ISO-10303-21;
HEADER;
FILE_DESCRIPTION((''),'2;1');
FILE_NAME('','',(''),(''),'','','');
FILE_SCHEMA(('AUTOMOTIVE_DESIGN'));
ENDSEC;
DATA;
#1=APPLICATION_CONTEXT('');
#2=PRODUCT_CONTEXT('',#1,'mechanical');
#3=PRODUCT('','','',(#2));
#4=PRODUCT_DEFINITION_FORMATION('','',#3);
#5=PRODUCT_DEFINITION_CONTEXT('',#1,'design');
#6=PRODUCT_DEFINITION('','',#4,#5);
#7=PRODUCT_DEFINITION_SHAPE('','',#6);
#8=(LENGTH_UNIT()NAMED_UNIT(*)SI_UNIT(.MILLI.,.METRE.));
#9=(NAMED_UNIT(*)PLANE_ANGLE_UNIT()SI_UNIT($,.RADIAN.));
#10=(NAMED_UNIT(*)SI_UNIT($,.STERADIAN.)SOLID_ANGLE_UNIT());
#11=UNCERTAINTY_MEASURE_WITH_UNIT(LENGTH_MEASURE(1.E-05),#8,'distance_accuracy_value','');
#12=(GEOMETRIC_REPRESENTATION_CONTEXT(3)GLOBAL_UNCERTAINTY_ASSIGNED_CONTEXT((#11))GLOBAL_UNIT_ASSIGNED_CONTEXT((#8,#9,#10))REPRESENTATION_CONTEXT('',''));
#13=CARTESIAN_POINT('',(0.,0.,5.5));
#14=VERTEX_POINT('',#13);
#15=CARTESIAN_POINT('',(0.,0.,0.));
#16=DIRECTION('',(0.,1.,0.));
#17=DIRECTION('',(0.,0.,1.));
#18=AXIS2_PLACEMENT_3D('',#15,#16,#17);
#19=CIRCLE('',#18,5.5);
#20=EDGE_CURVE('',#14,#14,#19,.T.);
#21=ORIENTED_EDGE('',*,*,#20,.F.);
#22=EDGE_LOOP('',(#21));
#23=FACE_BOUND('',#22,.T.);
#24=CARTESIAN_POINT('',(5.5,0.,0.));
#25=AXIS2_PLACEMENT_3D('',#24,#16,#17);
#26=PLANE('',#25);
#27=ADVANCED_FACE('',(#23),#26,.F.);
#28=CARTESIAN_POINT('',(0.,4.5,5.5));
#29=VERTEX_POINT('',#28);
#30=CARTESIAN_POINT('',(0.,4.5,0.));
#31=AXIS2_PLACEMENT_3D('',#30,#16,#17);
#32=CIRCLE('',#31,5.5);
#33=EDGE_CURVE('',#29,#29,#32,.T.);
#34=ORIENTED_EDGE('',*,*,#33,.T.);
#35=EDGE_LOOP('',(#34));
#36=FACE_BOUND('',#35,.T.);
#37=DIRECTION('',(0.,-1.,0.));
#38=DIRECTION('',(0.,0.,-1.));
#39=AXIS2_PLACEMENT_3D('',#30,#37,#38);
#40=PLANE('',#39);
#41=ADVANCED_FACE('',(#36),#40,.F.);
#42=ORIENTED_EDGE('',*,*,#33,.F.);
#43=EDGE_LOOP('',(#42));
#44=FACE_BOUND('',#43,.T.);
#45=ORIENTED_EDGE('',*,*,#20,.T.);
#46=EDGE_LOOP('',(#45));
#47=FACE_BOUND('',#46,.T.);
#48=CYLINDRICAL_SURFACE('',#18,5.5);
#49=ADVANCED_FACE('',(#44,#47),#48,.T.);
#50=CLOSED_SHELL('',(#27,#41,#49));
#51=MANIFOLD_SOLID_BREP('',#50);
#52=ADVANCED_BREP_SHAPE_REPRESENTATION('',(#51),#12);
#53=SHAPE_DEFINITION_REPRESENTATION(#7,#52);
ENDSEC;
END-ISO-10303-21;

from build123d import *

# Parameters (mm, degrees)
SKETCH1_W = 5.5
SKETCH1_H = 4.5


with BuildPart() as part:
    # Sketch1 → Revolve1 (revolve)
    with BuildSketch(Plane.XY):
        with Locations((2.75, 2.25)):
            Rectangle(SKETCH1_W, SKETCH1_H)
    revolve(axis=Axis((0, 0, 0), (0, 1, 0)))


solid = part.part
